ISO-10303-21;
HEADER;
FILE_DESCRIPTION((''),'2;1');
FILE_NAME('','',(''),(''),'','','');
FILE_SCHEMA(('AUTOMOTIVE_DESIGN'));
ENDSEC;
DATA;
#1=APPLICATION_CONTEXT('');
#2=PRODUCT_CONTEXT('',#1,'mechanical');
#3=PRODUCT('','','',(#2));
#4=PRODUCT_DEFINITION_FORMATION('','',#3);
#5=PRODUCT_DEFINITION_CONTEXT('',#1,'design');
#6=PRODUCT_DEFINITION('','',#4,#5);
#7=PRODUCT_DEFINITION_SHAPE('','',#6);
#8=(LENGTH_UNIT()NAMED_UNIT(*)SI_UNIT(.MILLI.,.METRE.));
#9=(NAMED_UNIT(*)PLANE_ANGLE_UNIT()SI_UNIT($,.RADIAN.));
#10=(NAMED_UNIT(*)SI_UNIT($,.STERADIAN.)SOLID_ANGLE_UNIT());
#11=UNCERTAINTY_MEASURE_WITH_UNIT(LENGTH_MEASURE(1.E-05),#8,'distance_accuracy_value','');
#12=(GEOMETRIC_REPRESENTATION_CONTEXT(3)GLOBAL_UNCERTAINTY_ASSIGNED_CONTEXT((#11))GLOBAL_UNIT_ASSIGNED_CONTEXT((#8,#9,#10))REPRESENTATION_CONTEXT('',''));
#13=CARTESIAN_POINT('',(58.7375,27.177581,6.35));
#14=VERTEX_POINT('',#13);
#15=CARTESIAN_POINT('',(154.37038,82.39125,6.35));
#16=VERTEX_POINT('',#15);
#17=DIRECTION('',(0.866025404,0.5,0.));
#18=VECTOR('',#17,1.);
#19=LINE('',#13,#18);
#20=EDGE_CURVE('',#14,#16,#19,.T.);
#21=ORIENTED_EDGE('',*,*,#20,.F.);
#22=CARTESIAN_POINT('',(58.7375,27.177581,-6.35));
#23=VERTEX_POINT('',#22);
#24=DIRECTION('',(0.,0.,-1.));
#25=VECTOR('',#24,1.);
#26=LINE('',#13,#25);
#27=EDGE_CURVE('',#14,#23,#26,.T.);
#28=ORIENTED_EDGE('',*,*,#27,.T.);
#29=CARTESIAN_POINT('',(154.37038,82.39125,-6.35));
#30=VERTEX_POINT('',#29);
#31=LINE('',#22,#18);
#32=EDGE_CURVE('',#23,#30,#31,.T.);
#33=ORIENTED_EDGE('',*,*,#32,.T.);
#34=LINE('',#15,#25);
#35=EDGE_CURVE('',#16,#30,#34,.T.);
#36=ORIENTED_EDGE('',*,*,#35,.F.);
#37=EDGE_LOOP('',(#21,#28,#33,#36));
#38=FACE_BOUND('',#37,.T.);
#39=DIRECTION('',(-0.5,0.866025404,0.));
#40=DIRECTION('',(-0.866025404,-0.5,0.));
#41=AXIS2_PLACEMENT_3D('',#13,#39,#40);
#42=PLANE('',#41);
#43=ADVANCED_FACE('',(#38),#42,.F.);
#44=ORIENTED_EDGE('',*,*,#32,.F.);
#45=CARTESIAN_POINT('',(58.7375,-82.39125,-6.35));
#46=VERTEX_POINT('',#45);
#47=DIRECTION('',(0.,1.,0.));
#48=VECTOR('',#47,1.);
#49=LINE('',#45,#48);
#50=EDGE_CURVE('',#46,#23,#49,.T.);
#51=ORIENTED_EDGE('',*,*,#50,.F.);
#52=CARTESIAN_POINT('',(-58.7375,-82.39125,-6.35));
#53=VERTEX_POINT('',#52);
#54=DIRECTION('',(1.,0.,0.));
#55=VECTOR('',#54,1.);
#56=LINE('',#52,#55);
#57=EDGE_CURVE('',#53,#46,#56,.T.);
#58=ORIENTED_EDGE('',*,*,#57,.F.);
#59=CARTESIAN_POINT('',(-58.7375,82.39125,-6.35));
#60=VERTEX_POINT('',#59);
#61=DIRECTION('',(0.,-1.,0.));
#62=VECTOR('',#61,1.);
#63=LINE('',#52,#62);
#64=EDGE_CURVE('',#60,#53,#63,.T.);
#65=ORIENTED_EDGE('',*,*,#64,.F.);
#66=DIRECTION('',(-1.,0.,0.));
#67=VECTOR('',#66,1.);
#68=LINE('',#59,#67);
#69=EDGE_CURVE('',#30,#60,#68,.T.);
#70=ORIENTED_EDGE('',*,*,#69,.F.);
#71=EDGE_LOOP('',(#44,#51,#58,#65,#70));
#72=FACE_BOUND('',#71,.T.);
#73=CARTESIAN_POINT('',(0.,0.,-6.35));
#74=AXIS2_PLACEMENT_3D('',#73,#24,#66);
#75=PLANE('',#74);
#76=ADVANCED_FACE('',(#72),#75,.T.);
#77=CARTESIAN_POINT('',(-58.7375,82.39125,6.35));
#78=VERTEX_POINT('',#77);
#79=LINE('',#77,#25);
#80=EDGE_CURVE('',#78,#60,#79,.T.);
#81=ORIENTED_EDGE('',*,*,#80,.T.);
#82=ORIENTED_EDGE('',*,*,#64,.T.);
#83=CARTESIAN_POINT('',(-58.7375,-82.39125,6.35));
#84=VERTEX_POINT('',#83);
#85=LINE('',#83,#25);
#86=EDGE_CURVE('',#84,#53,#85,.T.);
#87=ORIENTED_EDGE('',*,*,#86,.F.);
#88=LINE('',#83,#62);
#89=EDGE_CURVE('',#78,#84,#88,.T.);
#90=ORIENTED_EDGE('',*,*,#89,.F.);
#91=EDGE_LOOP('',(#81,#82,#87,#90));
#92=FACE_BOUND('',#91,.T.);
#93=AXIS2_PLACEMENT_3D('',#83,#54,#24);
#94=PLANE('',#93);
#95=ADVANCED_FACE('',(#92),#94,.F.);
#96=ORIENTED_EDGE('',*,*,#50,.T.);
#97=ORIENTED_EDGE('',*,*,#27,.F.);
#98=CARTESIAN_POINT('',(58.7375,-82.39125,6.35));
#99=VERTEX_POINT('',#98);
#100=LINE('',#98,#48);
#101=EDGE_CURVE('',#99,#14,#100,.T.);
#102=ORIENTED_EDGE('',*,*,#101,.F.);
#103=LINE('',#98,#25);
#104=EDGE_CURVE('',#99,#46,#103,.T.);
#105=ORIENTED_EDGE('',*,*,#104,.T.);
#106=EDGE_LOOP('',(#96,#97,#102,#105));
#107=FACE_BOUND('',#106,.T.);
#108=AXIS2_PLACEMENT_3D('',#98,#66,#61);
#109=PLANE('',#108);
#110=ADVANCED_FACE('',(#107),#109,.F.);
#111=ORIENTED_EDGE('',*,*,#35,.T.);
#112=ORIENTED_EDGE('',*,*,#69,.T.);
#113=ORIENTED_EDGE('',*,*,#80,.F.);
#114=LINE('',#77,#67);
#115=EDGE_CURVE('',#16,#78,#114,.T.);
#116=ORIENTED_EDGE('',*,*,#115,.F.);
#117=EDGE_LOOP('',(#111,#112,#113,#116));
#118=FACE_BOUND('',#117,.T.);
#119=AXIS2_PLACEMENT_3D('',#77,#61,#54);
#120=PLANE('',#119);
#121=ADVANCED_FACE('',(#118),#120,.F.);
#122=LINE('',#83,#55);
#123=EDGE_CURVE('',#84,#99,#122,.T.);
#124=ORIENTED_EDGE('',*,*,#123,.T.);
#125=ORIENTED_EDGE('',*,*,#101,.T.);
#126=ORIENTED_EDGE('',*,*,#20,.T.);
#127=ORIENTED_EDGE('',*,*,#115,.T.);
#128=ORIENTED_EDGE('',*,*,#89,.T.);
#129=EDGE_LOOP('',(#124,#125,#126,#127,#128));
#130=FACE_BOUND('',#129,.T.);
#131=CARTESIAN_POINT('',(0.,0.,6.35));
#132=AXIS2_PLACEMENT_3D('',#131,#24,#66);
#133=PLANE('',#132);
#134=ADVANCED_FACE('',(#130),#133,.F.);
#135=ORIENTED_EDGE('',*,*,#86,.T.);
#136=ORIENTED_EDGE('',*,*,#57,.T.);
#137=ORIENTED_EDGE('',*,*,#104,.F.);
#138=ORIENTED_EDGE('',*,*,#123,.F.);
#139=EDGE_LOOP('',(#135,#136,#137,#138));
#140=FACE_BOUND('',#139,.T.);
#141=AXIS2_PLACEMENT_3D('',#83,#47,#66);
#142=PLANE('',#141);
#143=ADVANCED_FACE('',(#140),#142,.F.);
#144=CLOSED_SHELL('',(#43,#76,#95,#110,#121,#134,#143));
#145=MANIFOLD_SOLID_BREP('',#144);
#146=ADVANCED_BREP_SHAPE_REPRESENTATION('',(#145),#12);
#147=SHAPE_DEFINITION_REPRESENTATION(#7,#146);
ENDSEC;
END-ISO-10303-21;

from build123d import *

# Parameters (mm, degrees)
BOSS_EXTRUDE1_DEPTH = 6.35


with BuildPart() as part:
    # Sketch1 → Boss-Extrude1 (new, symmetric)
    with BuildSketch(Plane.XY):
        Polygon((58.7375, 27.177580907), (154.370380142, 82.39125), (-58.7375, 82.39125), (-58.7375, -82.39125), (58.7375, -82.39125), align=None)
    extrude(amount=BOSS_EXTRUDE1_DEPTH, both=True)


solid = part.part
